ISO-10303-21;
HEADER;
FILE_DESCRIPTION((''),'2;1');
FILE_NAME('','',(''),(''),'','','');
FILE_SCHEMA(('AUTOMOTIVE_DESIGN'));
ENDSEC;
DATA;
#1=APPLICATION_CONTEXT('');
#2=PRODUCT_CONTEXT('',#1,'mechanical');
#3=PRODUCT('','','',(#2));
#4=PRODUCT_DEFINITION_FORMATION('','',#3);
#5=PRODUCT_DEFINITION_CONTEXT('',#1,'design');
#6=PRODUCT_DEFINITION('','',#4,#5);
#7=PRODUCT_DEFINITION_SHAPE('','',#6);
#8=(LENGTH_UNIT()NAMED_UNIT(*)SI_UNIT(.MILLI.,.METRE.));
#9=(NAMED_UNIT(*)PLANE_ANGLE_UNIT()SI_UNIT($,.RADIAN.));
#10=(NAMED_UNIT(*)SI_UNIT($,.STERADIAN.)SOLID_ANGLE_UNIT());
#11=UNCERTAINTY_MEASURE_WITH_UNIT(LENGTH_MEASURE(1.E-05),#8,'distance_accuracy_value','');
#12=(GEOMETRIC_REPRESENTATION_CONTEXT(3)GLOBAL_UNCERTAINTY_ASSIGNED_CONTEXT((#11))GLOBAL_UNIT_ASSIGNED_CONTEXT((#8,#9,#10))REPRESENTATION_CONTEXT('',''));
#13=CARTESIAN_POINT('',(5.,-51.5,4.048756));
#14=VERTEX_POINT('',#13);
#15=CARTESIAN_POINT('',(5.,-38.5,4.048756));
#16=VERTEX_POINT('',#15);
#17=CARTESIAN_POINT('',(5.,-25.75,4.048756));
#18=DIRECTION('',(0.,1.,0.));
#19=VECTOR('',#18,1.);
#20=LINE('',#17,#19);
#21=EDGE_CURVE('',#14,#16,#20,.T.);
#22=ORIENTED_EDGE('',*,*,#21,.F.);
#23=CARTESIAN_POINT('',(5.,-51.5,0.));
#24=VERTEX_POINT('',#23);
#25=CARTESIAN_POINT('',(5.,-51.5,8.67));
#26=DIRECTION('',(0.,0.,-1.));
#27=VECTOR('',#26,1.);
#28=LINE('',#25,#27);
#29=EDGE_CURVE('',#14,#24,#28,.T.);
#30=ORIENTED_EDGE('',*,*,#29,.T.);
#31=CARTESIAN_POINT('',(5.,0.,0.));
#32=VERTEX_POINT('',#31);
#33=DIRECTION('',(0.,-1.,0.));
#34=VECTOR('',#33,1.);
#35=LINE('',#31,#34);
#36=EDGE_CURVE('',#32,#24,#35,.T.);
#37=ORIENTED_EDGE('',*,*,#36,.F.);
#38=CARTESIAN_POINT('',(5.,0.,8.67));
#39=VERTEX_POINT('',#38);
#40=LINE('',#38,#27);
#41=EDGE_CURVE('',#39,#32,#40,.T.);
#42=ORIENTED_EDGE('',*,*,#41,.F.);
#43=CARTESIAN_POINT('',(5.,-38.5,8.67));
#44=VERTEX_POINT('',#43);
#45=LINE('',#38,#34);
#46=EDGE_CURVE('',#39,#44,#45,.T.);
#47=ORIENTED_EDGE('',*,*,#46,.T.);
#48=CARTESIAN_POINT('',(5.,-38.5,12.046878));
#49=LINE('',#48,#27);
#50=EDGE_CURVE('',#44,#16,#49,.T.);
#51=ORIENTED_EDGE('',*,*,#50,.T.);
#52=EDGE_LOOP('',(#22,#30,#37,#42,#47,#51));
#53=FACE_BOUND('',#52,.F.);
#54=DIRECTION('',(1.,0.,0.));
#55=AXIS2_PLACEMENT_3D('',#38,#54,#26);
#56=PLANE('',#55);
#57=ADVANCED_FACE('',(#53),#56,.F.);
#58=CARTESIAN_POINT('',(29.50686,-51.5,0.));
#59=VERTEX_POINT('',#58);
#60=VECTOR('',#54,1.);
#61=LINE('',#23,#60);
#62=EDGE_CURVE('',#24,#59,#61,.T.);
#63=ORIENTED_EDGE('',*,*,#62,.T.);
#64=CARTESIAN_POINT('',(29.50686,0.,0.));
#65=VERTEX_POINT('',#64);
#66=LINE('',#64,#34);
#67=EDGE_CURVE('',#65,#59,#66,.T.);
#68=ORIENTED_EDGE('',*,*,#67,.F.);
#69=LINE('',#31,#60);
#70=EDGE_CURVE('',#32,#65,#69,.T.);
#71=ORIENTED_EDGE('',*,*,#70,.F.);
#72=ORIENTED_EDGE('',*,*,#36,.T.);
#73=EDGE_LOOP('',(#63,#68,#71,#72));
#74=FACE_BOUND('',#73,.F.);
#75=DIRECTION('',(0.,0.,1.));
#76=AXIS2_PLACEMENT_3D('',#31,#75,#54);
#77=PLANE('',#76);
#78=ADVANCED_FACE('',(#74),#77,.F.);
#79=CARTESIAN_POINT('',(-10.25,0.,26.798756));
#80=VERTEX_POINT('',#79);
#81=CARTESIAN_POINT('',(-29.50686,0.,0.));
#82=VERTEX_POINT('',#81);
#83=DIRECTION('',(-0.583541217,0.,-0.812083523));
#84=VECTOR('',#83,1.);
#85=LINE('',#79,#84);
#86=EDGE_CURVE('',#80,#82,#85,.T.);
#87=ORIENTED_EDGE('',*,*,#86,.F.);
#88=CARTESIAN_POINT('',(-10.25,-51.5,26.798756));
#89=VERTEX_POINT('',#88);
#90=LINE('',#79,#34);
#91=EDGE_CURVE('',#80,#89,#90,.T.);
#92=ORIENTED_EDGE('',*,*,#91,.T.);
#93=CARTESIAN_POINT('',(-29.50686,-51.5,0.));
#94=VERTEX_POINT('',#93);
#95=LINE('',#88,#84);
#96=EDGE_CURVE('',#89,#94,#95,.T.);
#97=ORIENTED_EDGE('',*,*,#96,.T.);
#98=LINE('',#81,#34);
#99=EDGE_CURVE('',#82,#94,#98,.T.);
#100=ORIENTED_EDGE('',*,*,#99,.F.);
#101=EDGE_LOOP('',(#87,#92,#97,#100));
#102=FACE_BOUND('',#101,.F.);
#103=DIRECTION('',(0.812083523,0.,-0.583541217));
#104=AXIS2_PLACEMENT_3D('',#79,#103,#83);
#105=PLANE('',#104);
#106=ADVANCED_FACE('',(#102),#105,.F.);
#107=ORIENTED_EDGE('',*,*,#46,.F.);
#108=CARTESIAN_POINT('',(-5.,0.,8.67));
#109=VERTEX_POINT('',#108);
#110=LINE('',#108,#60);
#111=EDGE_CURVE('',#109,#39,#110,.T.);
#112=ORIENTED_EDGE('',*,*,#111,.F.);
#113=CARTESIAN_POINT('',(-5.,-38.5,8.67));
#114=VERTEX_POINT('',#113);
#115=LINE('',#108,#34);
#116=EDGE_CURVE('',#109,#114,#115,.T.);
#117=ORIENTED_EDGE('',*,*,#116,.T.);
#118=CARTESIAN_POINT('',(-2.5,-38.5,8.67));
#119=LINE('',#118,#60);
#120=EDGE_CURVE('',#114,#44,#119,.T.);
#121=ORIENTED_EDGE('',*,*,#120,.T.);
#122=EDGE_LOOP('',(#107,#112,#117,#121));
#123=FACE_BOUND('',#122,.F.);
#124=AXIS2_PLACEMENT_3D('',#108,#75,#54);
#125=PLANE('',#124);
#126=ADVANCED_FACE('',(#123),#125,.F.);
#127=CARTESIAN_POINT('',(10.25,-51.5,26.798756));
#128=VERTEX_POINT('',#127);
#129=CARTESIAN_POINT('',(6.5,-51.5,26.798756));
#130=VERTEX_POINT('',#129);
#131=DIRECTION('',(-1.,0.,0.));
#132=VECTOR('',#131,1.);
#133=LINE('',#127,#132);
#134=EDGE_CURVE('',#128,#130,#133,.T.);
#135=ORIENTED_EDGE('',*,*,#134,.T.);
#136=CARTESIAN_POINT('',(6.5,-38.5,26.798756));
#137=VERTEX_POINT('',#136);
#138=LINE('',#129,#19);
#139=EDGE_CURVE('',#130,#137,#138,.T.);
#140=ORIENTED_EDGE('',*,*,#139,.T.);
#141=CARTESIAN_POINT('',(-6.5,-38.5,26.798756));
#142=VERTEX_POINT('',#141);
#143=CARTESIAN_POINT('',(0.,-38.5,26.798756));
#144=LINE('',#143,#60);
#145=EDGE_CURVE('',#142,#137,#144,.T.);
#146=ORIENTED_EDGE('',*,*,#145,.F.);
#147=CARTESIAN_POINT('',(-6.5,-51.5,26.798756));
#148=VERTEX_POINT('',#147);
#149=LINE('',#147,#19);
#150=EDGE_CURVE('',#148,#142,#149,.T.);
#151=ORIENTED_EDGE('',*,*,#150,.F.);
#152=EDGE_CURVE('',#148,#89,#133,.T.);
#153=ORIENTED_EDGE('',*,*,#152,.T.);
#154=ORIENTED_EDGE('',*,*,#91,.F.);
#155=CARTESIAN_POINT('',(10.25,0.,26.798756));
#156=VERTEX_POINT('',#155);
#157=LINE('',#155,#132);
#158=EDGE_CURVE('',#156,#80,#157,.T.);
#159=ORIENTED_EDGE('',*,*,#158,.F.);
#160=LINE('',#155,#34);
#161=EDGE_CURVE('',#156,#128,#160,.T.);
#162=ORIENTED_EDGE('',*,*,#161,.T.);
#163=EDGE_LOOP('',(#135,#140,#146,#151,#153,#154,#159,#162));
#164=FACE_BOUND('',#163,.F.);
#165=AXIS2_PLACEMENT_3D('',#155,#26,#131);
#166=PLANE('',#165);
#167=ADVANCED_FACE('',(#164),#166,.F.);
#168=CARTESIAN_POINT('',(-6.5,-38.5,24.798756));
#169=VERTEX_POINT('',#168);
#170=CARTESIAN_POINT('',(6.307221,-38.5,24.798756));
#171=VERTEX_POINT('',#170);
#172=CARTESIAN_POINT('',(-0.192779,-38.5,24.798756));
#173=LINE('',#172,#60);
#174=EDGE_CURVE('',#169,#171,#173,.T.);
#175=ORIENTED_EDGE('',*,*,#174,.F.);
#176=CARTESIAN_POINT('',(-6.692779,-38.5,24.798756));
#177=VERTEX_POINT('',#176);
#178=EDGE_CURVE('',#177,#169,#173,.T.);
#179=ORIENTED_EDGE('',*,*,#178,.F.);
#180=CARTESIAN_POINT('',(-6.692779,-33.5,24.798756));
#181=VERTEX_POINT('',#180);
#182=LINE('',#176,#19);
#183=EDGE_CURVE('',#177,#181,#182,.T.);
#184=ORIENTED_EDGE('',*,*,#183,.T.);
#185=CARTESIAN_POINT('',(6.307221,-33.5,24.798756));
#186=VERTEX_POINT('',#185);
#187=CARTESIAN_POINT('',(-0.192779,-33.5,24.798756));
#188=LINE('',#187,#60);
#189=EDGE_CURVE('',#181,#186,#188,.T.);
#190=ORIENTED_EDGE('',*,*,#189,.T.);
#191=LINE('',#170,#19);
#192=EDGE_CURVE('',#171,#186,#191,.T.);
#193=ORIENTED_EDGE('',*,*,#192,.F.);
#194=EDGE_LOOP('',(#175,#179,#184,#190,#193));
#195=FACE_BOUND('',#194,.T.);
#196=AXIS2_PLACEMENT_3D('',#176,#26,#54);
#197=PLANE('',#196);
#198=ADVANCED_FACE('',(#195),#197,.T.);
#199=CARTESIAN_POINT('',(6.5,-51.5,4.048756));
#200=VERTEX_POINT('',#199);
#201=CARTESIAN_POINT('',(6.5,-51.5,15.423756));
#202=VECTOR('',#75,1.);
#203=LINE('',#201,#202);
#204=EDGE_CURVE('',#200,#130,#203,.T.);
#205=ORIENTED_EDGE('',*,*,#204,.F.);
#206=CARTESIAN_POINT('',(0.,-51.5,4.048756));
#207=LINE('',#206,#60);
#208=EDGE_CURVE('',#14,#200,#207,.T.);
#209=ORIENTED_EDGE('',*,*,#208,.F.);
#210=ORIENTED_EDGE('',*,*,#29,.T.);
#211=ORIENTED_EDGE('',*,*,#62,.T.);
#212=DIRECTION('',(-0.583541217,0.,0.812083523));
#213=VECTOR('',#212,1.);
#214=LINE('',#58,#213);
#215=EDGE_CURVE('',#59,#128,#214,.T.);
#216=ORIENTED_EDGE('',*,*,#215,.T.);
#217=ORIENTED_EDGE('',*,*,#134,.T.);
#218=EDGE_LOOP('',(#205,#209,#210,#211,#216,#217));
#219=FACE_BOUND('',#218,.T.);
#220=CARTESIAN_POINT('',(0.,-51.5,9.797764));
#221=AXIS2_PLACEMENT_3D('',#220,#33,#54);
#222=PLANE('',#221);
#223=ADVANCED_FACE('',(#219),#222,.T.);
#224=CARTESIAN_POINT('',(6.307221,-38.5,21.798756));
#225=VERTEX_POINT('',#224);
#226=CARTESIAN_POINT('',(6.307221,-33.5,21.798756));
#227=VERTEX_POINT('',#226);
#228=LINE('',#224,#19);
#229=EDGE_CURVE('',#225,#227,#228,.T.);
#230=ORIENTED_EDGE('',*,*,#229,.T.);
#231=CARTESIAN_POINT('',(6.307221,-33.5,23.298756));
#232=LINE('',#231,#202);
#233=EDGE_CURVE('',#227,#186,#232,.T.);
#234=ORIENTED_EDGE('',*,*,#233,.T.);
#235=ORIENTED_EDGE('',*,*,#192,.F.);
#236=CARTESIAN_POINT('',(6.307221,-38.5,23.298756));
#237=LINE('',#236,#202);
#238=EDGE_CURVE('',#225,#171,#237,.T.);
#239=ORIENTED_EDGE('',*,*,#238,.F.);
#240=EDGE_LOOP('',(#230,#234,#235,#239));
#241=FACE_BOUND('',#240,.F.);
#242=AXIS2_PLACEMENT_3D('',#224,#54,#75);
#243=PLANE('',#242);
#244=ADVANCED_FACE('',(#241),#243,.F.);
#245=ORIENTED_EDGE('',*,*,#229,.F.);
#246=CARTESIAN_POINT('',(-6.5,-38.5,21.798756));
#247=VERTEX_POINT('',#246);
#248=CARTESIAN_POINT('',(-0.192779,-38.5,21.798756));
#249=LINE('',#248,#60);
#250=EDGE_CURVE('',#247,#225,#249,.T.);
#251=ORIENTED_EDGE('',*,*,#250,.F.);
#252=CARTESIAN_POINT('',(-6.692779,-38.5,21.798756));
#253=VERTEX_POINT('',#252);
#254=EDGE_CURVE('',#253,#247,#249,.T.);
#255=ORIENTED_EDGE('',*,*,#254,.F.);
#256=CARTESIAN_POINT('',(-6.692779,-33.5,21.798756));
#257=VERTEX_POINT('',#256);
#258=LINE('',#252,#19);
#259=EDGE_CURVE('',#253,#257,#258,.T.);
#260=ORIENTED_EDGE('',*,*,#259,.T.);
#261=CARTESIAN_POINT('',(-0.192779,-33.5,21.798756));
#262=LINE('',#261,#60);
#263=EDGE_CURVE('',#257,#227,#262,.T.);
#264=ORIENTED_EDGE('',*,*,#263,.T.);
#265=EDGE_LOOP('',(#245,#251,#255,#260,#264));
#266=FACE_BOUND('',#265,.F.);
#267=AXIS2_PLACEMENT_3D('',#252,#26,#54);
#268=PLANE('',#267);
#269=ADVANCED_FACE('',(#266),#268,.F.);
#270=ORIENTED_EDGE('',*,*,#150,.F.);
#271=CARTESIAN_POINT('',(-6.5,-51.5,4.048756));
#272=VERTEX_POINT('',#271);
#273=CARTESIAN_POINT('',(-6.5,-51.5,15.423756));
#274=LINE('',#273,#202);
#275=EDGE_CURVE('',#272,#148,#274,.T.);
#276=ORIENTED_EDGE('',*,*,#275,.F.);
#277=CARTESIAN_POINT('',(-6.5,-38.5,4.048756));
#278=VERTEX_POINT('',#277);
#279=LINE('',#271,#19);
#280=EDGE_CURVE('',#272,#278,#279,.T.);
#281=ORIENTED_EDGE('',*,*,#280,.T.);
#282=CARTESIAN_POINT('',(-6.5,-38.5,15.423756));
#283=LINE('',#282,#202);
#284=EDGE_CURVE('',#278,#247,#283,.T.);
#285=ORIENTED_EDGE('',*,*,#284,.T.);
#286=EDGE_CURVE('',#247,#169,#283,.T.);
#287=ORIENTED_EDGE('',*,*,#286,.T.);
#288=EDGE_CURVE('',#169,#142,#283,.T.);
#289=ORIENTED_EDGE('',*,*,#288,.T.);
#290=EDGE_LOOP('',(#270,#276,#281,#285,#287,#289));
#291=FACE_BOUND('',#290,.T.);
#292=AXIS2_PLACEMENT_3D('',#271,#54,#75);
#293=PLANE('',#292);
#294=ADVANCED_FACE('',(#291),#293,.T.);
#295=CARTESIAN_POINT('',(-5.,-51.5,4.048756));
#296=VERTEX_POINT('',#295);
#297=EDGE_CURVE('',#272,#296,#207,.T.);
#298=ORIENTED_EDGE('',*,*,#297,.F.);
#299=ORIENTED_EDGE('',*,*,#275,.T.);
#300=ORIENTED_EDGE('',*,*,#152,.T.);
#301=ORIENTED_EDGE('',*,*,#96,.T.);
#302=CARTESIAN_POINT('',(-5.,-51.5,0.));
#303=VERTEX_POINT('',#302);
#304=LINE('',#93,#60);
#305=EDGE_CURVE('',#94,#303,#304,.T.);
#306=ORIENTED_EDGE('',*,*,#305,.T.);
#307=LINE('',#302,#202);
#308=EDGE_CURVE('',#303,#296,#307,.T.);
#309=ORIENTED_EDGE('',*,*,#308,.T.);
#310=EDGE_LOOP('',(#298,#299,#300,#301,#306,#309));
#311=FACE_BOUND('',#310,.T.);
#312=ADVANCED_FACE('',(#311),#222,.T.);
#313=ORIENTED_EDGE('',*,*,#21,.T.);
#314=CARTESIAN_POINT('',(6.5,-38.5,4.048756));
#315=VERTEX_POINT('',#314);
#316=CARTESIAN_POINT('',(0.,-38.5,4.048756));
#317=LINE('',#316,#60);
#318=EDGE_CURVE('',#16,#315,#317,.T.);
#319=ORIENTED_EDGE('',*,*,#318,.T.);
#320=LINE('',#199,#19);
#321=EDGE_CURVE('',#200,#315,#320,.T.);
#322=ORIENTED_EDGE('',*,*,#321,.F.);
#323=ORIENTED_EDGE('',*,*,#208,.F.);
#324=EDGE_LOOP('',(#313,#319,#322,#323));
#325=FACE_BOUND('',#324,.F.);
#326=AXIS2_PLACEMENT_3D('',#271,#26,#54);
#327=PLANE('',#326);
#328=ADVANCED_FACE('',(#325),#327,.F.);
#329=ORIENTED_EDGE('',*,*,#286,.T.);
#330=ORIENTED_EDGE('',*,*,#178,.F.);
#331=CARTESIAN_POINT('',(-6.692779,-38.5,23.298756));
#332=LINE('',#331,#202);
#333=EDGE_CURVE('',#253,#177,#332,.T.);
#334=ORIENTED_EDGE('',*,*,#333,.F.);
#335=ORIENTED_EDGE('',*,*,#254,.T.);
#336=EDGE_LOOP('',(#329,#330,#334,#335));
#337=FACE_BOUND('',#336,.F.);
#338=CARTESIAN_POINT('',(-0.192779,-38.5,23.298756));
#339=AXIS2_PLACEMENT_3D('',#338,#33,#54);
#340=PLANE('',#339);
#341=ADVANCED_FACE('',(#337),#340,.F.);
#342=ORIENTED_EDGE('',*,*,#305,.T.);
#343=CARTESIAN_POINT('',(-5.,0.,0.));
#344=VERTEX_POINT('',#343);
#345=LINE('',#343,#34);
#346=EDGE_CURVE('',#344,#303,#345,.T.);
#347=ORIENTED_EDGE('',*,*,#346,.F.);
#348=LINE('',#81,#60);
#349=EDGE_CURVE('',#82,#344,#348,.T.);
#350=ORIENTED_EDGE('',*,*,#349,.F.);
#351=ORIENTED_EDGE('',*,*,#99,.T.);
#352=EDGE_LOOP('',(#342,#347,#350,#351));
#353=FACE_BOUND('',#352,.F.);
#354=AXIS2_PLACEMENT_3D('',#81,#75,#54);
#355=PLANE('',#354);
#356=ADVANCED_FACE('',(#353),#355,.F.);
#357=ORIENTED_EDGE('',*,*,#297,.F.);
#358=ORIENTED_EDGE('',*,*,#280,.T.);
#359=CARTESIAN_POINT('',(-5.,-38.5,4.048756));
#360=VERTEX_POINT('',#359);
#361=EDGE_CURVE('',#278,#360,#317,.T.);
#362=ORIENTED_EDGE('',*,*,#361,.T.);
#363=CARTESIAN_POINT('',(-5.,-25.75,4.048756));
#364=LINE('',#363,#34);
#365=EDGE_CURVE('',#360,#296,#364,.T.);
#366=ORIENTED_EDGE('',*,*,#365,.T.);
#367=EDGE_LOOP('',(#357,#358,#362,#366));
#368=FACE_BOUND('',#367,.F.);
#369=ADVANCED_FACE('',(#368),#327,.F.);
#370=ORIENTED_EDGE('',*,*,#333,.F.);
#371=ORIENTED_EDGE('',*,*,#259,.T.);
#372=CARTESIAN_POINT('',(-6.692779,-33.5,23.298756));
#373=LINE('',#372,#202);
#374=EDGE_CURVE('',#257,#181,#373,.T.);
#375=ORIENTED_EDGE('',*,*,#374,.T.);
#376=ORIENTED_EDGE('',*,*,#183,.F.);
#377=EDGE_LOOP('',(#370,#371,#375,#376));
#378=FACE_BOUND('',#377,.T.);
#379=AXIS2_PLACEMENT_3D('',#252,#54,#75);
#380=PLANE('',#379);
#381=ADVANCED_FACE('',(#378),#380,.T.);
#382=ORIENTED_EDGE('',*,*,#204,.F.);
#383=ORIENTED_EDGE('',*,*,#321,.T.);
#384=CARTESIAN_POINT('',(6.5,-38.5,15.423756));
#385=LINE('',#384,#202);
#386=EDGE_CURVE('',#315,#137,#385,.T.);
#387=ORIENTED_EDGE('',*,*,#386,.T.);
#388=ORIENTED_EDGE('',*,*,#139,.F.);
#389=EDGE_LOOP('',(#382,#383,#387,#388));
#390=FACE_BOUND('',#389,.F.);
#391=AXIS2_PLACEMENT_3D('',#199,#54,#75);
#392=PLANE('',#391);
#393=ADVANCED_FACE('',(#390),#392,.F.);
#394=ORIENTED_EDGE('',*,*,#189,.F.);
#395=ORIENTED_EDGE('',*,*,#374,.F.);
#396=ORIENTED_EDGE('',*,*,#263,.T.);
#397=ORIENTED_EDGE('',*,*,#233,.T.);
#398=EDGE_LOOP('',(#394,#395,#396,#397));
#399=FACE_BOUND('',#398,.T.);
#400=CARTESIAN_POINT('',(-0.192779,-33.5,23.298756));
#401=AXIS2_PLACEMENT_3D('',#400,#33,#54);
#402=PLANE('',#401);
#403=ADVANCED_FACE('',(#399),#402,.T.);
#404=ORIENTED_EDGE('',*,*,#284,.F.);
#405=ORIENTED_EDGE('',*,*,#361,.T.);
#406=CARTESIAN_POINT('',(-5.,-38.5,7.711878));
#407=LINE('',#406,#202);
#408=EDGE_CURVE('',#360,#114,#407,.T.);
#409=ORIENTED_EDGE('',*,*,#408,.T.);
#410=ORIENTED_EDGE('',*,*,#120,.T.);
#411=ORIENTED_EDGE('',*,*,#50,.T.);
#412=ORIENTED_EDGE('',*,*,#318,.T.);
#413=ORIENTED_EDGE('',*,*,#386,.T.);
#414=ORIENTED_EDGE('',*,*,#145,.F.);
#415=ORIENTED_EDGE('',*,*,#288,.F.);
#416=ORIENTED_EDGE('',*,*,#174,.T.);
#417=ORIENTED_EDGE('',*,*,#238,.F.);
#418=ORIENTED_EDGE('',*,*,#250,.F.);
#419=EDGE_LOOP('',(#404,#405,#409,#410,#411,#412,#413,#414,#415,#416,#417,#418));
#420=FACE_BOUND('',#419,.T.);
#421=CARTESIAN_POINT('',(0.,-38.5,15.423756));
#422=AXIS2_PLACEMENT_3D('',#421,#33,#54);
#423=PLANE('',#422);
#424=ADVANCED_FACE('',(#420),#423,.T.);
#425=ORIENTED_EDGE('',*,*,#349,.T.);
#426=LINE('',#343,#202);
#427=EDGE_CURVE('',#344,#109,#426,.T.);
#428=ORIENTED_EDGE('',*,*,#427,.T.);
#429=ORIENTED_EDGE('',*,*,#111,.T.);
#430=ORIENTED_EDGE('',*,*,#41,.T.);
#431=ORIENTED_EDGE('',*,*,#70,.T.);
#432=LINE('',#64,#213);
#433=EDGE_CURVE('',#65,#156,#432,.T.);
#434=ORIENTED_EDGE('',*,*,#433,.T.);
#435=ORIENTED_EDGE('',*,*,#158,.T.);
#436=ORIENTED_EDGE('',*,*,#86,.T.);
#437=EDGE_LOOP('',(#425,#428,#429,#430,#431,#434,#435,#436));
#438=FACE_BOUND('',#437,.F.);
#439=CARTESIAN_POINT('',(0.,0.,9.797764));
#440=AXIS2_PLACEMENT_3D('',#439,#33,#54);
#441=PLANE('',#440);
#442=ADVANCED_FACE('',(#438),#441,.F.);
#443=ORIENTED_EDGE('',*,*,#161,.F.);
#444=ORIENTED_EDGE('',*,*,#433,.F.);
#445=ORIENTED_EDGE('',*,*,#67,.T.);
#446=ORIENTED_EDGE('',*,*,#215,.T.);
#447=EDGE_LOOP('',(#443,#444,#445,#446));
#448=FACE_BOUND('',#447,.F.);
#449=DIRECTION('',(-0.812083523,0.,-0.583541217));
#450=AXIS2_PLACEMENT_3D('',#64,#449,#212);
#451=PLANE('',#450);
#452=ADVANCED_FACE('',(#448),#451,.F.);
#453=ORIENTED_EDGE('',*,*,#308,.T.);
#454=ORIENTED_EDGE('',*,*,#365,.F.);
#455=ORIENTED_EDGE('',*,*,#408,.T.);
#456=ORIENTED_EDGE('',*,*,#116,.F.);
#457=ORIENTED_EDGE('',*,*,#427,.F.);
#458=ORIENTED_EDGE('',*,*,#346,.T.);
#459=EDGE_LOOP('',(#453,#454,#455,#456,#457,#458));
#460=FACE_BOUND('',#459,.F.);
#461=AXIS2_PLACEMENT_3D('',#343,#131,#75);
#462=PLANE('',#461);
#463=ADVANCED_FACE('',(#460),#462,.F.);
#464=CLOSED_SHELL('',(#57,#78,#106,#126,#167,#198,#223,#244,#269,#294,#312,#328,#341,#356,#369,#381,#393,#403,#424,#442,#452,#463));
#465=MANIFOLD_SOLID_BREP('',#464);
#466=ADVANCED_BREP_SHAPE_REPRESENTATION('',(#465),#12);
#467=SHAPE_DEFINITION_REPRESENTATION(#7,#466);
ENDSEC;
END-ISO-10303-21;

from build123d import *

# Parameters (mm, degrees)
F1_DEPTH = 51.5
F2_W     = 13
F2_H     = 22.75
F3_DEPTH = 13
F4_W     = 13
F4_H     = 3
F5_DEPTH = 5


with BuildPart() as f1:
    # F0 (on Front) → F1 (new body)
    with BuildSketch(Plane.XZ):
        Polygon((5, 0), (29.50686, 0), (10.25, 26.798756), (-10.25, 26.798756), (-29.50686, 0), (-5, 0), (-5, 8.67), (5, 8.67), align=None)
    extrude(amount=F1_DEPTH)

    # F2 (on face) → F3 (cut)
    with BuildSketch(Plane.XZ.offset(51.5)):
        with Locations((0, 15.423756)):
            Rectangle(F2_W, F2_H)
    extrude(amount=-F3_DEPTH, mode=Mode.SUBTRACT)

    # F4 (on face) → F5 (cut)
    with BuildSketch(Plane.XZ.offset(38.5)):
        with Locations((-0.192779, 23.298756)):
            Rectangle(F4_W, F4_H)
    extrude(amount=-F5_DEPTH, mode=Mode.SUBTRACT)


solid = f1.part
